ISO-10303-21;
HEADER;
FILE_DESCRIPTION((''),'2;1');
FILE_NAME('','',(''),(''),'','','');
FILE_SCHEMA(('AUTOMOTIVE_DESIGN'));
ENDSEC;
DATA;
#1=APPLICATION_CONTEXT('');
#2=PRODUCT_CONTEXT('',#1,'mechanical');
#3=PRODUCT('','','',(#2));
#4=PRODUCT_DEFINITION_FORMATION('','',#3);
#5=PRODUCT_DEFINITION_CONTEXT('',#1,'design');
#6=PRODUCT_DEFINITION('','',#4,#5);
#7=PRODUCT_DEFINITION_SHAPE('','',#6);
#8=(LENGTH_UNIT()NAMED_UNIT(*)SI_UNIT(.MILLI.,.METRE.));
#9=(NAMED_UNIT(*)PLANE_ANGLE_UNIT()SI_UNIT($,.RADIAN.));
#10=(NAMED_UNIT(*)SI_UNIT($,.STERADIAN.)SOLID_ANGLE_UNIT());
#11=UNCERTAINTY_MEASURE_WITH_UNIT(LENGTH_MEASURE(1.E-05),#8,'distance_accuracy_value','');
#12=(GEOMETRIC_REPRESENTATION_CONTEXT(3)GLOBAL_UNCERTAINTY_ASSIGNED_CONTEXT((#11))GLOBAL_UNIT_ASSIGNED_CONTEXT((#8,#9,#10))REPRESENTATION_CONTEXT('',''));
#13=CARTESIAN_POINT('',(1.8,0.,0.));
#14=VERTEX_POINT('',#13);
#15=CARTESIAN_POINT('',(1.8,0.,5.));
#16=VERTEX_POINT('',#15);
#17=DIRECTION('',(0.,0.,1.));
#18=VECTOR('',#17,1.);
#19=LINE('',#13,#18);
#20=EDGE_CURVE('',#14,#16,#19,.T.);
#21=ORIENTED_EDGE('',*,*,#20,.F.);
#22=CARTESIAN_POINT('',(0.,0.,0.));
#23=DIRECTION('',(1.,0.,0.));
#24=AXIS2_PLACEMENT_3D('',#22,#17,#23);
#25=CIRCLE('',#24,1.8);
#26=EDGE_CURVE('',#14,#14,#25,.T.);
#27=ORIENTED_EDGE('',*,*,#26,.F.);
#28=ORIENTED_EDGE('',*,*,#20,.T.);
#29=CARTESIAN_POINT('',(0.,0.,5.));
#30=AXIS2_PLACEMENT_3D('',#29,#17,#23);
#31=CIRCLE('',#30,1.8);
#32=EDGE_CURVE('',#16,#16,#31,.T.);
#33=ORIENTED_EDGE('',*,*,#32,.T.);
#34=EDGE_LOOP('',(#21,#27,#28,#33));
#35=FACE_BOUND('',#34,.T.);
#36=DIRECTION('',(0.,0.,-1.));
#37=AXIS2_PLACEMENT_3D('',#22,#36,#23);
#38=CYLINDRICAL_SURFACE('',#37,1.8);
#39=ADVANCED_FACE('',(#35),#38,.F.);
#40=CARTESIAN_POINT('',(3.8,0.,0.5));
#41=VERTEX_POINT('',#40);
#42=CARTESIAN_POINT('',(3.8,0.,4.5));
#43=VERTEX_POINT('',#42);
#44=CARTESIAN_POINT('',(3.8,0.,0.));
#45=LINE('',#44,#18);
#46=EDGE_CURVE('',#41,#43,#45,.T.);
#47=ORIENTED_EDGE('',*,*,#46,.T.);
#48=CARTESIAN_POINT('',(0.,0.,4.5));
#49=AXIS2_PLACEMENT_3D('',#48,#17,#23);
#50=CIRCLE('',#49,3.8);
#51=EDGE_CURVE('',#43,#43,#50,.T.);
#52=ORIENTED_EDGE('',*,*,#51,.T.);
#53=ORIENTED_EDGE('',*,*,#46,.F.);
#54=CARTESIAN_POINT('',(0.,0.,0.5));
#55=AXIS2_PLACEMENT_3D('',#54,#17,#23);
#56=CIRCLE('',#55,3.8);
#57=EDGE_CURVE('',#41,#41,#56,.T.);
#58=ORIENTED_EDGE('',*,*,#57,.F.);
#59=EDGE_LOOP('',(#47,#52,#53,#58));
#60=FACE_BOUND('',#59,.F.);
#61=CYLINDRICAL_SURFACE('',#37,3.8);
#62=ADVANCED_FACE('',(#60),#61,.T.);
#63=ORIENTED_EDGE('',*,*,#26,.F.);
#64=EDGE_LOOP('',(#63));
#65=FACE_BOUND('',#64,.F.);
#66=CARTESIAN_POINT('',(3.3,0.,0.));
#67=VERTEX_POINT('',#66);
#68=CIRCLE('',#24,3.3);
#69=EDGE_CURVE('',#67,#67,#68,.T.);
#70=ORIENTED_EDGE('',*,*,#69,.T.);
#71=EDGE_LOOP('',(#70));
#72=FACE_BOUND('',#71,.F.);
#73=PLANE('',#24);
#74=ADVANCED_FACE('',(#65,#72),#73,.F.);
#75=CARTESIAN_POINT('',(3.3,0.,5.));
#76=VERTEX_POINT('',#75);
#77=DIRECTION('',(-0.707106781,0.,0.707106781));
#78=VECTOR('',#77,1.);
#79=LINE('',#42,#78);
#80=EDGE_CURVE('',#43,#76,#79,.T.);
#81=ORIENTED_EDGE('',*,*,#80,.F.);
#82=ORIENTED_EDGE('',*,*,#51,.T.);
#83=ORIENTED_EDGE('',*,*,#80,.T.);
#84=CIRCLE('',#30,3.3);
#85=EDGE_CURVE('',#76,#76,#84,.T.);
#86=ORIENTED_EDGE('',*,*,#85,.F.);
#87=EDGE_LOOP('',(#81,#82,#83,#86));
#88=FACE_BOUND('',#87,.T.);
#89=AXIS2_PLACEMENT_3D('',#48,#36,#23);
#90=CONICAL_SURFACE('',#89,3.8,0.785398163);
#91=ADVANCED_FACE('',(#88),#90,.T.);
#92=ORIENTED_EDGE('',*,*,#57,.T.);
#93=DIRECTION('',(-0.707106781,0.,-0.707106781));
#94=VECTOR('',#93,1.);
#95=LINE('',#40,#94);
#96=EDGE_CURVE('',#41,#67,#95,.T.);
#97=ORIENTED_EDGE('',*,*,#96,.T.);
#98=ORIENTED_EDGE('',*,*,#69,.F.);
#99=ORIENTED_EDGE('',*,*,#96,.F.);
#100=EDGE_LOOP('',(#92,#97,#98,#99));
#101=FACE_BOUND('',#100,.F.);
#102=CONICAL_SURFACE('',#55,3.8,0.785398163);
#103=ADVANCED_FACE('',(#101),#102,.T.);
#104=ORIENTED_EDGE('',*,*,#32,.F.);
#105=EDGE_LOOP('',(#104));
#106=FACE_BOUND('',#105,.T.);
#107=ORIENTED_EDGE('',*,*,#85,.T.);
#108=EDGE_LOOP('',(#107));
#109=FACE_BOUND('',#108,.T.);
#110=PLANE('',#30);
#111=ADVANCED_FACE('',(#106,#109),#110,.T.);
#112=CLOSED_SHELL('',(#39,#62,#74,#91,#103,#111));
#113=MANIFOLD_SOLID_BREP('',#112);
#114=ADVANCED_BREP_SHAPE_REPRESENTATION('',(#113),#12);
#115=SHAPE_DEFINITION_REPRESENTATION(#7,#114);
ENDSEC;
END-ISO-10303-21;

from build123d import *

# Parameters (mm, degrees)
SKETCH1_R           = 3.8
SKETCH1_R_2         = 1.8
BOSS_EXTRUDE1_DEPTH = 5
CHAMFER1_SIZE       = 0.5


with BuildPart() as part:
    # Sketch1 → Boss-Extrude1 (new body)
    with BuildSketch(Plane.XY):
        Circle(SKETCH1_R)
        Circle(SKETCH1_R_2, mode=Mode.SUBTRACT)
    extrude(amount=BOSS_EXTRUDE1_DEPTH)

    # Chamfer1
    chamfer1_edges = [part.edges().sort_by_distance(p)[0] for p in [
        (-3.8, 0, 0),
        (-3.8, 0, 5),
    ]]
    chamfer(chamfer1_edges, length=CHAMFER1_SIZE)


solid = part.part
